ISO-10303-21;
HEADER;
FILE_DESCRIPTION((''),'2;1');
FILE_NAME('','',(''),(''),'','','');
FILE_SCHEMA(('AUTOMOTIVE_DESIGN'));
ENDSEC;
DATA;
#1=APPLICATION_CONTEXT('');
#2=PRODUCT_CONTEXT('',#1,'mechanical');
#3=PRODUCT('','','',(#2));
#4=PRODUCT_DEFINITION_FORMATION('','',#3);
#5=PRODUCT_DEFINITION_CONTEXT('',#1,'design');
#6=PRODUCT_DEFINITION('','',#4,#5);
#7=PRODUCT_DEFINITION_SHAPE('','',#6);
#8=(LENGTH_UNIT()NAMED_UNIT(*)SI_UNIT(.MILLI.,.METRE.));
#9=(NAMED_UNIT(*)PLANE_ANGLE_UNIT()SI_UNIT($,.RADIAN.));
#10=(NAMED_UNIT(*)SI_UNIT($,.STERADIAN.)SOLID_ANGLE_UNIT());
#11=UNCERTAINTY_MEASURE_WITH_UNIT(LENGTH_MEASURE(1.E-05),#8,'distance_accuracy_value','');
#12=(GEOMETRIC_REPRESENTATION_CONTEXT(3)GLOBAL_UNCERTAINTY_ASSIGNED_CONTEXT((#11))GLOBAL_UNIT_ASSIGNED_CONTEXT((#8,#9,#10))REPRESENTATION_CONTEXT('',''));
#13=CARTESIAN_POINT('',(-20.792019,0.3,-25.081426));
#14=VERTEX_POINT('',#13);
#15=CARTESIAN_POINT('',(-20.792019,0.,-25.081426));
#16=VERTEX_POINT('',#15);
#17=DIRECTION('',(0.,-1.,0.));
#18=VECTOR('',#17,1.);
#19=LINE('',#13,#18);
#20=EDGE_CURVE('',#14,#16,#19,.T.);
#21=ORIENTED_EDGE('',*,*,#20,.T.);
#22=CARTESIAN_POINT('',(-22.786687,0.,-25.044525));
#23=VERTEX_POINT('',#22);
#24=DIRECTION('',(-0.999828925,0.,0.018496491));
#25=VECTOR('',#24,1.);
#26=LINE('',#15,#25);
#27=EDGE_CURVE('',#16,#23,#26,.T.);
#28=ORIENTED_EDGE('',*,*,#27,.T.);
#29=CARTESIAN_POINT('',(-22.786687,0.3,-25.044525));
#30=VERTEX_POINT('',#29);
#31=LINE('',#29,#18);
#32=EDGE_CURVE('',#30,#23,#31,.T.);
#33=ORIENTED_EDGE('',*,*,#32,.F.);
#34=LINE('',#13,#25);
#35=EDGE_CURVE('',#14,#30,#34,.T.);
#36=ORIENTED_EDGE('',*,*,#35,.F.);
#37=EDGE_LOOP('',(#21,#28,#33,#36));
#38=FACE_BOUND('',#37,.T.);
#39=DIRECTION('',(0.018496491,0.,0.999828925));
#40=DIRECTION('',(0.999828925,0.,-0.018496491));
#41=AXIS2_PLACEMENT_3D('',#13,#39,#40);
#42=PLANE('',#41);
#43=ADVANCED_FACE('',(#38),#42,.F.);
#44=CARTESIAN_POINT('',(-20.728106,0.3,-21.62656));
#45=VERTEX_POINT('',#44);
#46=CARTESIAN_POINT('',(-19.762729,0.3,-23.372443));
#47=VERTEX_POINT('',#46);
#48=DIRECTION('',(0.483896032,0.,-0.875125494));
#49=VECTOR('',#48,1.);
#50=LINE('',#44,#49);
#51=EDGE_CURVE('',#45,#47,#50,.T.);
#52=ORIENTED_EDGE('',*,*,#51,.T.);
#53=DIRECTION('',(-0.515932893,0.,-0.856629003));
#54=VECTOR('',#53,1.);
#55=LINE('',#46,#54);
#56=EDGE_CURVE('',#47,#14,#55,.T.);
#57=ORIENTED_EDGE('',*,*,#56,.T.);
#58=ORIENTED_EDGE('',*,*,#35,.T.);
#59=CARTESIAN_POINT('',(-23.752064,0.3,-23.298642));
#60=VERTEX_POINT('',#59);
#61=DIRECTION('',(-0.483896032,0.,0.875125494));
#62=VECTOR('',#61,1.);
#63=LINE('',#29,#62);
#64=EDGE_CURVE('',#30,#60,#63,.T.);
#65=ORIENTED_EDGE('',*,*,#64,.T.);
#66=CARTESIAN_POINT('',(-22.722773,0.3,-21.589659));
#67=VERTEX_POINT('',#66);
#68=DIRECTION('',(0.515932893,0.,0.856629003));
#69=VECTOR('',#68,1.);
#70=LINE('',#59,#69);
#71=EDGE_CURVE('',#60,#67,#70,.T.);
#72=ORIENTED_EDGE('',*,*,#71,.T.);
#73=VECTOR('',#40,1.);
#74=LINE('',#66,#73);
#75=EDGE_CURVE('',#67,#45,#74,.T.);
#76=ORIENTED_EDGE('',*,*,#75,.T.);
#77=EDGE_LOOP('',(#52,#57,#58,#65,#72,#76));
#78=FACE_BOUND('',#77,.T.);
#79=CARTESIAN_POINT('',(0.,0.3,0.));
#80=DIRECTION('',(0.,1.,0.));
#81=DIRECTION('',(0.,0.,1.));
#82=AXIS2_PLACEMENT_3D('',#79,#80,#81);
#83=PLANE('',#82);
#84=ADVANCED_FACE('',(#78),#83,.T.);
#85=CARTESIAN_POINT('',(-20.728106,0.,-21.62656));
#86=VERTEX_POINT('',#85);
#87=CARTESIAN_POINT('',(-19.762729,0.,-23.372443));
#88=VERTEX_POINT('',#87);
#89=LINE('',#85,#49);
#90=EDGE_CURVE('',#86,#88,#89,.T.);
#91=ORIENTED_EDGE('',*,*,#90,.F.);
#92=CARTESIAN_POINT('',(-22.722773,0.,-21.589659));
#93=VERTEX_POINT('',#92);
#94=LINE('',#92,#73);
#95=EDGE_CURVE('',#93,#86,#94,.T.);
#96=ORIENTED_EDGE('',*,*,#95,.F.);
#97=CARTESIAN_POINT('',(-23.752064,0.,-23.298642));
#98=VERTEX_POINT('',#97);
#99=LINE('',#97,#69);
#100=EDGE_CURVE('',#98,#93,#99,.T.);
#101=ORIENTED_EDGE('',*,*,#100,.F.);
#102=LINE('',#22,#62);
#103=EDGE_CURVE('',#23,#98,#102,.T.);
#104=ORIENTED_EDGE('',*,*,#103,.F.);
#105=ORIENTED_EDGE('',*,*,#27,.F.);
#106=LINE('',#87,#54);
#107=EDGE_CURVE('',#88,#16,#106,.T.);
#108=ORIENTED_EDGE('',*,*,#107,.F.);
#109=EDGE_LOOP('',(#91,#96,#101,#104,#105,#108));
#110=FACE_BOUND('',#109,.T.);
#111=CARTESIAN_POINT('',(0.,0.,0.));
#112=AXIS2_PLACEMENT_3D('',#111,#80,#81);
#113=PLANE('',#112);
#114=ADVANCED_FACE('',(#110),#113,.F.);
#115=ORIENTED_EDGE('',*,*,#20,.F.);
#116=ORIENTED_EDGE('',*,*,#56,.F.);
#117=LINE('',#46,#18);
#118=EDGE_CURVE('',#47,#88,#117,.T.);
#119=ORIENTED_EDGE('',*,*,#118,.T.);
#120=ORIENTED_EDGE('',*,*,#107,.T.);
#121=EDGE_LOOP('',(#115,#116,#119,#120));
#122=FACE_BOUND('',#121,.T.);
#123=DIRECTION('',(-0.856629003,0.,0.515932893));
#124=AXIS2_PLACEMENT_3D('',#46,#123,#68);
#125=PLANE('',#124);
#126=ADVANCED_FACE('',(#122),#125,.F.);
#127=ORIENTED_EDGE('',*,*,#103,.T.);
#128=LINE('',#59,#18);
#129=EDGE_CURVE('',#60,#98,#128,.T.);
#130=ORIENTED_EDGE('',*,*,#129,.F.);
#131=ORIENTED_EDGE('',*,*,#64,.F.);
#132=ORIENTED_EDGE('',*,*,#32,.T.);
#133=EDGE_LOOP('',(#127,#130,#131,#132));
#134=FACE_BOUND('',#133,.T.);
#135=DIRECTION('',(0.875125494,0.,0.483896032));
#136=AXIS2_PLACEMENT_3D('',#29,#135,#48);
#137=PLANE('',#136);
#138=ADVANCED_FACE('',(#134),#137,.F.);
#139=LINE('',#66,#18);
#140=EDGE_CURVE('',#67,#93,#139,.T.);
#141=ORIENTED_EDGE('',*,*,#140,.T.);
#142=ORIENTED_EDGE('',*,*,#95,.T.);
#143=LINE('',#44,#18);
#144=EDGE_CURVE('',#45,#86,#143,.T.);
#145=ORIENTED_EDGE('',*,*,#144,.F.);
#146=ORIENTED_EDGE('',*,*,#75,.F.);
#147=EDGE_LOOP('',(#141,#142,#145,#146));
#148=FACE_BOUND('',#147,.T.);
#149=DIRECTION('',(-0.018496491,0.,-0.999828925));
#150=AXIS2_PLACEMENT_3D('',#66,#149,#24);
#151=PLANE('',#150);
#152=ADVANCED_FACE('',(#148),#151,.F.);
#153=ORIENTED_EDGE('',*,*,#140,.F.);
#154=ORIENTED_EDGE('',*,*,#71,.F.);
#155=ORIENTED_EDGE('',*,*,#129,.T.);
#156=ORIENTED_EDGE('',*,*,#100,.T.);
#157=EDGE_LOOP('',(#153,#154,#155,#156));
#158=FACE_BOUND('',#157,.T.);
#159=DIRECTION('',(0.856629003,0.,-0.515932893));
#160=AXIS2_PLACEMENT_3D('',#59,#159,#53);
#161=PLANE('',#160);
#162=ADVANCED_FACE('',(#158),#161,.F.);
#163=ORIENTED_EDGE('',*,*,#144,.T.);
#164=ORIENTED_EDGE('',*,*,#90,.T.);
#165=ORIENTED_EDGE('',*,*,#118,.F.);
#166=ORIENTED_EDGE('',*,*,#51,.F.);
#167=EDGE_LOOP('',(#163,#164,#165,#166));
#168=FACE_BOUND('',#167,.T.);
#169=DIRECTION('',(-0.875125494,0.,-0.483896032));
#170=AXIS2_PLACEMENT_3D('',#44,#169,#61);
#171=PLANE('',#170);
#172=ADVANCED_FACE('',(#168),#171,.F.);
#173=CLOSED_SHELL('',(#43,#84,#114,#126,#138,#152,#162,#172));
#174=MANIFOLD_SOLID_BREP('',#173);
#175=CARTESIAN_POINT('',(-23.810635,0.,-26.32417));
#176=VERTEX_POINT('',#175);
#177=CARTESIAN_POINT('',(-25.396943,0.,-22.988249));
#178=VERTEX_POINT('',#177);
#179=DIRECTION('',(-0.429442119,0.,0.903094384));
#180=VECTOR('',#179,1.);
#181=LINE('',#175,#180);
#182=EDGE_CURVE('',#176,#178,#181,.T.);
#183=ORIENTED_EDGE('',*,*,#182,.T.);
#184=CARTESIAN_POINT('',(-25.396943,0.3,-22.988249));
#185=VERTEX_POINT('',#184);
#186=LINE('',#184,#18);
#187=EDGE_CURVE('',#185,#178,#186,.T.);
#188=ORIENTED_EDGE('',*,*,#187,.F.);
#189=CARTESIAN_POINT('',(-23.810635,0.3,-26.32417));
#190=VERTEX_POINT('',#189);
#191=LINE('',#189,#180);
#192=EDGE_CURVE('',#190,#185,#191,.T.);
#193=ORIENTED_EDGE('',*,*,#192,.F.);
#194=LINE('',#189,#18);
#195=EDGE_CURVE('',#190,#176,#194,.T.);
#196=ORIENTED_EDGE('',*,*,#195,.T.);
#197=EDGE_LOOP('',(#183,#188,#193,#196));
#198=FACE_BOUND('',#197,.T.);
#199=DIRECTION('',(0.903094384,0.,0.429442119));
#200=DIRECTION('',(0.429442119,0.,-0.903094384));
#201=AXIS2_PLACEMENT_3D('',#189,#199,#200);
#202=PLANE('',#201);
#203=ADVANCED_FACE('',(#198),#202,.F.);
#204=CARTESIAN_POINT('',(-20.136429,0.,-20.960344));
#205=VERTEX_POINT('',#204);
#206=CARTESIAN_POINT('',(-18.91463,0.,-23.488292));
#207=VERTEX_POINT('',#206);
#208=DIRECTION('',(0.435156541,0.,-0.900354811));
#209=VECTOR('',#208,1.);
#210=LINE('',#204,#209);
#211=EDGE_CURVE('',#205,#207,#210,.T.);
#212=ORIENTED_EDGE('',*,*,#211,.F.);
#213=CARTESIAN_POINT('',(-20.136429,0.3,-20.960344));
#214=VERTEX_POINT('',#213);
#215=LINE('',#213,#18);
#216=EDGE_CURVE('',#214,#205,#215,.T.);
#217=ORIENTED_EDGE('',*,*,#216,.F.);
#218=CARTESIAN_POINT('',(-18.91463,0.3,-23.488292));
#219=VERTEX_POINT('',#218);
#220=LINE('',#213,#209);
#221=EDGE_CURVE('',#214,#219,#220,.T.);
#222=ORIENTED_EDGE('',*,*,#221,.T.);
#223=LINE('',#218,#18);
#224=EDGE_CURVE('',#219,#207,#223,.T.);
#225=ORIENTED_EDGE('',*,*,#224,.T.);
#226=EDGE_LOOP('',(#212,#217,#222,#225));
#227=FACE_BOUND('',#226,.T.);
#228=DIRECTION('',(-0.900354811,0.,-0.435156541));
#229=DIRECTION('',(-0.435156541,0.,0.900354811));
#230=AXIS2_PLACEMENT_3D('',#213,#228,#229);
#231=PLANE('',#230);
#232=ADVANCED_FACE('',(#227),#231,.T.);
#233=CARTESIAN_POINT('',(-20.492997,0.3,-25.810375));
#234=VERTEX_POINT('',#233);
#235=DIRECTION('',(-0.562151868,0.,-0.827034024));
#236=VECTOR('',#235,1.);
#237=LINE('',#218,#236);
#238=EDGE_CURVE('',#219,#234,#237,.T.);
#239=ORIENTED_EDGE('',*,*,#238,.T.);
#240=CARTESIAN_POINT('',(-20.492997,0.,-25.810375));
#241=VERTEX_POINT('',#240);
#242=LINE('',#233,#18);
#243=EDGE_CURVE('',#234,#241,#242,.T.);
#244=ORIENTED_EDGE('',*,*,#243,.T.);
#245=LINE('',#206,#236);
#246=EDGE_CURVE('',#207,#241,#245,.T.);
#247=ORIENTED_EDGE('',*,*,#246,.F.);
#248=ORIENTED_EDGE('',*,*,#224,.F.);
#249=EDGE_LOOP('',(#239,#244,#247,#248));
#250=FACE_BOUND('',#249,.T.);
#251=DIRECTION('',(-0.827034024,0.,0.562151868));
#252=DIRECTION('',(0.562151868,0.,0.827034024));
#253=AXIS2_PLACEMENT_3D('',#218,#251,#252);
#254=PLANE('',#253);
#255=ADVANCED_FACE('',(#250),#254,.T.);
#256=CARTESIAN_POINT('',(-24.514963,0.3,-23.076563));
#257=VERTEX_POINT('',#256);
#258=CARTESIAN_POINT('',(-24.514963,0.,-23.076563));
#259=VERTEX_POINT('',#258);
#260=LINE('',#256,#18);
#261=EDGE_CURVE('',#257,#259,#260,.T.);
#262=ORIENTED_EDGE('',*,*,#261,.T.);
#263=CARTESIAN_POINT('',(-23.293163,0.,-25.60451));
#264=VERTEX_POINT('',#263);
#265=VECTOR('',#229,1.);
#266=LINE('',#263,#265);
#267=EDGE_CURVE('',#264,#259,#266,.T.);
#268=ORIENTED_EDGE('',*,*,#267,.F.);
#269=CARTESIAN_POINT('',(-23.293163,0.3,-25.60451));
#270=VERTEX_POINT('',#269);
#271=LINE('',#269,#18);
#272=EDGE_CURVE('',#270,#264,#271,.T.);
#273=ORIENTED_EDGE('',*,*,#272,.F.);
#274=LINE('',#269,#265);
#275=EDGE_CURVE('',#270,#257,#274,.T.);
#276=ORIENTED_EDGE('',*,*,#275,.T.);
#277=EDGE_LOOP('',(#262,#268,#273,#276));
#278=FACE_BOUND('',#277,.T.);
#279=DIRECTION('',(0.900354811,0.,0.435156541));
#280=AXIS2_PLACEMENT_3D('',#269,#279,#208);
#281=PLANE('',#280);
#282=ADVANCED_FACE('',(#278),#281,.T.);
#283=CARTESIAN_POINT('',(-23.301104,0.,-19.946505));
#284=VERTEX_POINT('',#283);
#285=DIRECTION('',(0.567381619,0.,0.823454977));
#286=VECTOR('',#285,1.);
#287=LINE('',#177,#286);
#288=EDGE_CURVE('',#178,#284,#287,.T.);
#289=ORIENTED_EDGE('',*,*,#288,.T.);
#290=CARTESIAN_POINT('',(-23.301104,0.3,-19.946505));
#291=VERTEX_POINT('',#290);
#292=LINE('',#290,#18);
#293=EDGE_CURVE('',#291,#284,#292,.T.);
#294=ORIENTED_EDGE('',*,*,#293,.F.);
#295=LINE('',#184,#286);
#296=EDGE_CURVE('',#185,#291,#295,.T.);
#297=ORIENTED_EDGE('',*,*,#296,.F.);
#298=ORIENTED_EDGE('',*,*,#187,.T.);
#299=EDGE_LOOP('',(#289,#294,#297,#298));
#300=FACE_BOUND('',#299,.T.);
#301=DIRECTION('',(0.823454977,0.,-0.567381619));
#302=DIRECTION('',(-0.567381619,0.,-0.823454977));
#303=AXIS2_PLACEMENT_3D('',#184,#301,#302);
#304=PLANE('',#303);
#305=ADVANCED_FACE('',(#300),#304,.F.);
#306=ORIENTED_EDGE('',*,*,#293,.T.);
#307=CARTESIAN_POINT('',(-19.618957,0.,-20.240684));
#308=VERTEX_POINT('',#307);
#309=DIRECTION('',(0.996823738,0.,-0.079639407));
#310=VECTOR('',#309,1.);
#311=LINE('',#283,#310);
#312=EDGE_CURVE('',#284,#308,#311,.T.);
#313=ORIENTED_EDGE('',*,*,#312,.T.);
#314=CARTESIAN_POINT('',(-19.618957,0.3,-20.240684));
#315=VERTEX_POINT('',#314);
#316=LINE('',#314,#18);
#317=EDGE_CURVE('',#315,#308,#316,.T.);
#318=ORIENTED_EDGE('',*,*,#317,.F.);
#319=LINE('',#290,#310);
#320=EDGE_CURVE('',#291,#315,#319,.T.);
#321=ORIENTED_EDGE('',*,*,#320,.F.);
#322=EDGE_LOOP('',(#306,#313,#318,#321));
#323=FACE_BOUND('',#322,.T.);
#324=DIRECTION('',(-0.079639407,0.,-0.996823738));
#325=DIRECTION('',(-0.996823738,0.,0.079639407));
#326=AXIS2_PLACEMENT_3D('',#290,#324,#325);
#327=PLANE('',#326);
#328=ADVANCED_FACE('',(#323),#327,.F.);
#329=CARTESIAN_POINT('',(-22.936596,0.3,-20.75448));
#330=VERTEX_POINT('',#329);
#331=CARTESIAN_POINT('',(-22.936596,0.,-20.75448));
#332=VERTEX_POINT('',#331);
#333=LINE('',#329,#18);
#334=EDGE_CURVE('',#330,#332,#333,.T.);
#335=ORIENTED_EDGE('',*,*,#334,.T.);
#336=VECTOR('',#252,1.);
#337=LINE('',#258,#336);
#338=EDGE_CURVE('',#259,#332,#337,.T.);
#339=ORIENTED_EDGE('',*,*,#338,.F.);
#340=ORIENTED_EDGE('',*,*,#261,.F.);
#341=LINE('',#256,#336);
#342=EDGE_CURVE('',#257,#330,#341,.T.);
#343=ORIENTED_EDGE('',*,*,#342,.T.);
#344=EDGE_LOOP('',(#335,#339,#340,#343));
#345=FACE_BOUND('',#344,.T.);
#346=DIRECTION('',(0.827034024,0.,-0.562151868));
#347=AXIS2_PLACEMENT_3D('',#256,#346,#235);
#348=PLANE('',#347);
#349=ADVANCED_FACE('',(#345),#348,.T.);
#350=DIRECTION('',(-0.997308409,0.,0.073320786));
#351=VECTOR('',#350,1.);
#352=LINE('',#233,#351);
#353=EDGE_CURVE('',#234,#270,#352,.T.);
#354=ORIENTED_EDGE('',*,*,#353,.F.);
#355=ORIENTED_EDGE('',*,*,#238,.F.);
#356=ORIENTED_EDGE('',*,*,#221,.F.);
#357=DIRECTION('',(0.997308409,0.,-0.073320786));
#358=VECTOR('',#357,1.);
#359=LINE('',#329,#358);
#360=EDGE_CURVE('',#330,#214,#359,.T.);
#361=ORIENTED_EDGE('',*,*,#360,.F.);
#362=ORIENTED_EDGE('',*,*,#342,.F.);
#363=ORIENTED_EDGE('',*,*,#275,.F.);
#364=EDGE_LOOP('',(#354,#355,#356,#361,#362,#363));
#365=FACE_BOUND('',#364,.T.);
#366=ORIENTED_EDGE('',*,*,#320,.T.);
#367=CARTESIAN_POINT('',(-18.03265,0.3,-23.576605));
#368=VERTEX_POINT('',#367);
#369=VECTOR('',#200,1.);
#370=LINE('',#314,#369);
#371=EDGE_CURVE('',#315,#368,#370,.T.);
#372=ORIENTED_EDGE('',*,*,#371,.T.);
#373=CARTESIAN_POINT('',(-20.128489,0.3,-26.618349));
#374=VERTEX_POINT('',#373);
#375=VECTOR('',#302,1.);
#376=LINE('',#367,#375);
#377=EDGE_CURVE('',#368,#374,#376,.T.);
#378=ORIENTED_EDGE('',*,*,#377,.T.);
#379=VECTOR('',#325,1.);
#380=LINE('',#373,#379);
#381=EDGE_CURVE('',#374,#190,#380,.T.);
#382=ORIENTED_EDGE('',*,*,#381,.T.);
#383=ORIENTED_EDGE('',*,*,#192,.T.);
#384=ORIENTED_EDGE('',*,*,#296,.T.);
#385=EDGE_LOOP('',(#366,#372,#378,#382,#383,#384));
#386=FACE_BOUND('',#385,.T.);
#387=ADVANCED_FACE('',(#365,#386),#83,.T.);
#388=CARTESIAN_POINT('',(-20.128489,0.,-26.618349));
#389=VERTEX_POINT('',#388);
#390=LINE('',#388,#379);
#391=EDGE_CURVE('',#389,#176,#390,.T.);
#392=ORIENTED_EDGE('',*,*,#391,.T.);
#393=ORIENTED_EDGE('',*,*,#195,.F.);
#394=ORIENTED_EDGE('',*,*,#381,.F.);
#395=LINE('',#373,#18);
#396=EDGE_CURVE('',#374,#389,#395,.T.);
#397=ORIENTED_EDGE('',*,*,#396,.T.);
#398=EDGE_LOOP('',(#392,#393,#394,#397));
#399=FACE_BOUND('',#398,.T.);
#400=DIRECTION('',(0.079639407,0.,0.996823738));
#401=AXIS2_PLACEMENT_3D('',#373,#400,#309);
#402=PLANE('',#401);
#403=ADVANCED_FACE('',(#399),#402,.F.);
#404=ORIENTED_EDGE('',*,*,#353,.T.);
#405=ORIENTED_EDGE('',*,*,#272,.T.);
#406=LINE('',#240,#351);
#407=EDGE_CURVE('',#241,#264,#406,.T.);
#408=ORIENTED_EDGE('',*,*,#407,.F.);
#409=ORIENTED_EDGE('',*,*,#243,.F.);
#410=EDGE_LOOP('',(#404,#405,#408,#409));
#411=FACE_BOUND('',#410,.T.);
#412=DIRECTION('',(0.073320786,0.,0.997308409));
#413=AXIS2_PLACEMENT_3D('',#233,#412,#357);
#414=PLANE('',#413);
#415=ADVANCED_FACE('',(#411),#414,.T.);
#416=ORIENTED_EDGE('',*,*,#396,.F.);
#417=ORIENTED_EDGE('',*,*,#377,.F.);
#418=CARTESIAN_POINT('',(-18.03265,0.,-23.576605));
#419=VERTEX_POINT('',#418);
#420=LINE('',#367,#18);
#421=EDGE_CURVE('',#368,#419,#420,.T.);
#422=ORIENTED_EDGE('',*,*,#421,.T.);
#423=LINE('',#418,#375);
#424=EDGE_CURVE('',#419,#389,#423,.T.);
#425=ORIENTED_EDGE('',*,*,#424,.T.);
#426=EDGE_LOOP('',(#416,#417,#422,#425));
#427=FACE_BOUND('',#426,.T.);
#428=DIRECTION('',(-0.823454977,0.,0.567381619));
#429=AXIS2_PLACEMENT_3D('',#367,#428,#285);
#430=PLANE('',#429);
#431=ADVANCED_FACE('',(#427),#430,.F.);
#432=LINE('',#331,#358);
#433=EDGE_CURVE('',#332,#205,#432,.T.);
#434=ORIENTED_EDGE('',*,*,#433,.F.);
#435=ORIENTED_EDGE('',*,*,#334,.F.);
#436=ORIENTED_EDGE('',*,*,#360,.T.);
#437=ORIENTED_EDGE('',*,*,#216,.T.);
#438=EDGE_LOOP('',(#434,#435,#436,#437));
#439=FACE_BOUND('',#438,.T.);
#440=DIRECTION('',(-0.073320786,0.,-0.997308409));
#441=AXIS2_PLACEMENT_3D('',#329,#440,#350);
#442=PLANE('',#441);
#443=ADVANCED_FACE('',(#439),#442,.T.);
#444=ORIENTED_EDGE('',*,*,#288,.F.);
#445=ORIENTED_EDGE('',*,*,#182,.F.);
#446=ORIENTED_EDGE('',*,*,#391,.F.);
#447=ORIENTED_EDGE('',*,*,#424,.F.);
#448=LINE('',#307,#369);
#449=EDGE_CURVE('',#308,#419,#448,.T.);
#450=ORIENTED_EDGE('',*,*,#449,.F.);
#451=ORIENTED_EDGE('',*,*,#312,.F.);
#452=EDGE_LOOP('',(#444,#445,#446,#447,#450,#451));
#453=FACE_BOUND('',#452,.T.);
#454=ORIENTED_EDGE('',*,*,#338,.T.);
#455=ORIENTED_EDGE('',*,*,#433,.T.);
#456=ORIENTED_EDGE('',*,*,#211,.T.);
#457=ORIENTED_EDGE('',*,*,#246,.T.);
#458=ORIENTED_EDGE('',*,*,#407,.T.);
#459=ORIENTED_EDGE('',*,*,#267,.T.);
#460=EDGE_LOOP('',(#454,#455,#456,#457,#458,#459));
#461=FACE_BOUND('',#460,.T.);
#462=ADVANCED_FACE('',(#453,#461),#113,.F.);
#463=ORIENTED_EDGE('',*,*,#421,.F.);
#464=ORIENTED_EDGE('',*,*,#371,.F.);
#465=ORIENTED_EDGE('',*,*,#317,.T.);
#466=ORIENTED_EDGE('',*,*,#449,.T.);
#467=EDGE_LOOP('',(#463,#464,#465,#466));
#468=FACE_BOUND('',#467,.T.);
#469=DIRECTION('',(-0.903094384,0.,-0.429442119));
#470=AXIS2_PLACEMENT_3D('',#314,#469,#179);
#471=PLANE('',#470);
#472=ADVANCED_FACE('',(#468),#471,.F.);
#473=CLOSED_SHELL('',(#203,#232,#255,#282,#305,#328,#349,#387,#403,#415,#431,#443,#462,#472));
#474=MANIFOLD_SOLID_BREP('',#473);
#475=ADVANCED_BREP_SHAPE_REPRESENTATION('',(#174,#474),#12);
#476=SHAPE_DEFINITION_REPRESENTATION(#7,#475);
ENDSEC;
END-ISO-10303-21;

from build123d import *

# Parameters (mm, degrees)
BOSS_EXTRUDE1_DEPTH = 0.3
BOSS_EXTRUDE2_DEPTH = 0.3


with BuildPart() as part:
    # Sketch1 → Boss-Extrude1 (new body)
    with BuildSketch(Plane(origin=(0, 0, 0), x_dir=(1, 0, 0), z_dir=(0, 1, 0))):
        Polygon((-19.618957041, 20.240683804), (-18.032649715, 23.576605395), (-20.128488895, 26.618348634), (-23.810635401, 26.324170281), (-25.396942728, 22.98824869), (-23.301103548, 19.946505451), align=None)
        Polygon((-20.136429104, 20.960344021), (-18.914629777, 23.488291552), (-20.492996894, 25.810374573), (-23.293163338, 25.604510064), (-24.514962666, 23.076562533), (-22.936595549, 20.754479512), align=None, mode=Mode.SUBTRACT)
    extrude(amount=BOSS_EXTRUDE1_DEPTH)


with BuildPart() as body_2:
    # Sketch3 → Boss-Extrude2 (new body)
    with BuildSketch(Plane(origin=(0, 0, 0), x_dir=(1, 0, 0), z_dir=(0, 1, 0))):
        Polygon((-20.72810566, 21.626559942), (-19.762728669, 23.372443274), (-20.792019491, 25.081425938), (-22.786687304, 25.044525271), (-23.752064295, 23.298641939), (-22.722773473, 21.589659274), align=None)
    extrude(amount=BOSS_EXTRUDE2_DEPTH)


solid = Compound([part.part, body_2.part])
